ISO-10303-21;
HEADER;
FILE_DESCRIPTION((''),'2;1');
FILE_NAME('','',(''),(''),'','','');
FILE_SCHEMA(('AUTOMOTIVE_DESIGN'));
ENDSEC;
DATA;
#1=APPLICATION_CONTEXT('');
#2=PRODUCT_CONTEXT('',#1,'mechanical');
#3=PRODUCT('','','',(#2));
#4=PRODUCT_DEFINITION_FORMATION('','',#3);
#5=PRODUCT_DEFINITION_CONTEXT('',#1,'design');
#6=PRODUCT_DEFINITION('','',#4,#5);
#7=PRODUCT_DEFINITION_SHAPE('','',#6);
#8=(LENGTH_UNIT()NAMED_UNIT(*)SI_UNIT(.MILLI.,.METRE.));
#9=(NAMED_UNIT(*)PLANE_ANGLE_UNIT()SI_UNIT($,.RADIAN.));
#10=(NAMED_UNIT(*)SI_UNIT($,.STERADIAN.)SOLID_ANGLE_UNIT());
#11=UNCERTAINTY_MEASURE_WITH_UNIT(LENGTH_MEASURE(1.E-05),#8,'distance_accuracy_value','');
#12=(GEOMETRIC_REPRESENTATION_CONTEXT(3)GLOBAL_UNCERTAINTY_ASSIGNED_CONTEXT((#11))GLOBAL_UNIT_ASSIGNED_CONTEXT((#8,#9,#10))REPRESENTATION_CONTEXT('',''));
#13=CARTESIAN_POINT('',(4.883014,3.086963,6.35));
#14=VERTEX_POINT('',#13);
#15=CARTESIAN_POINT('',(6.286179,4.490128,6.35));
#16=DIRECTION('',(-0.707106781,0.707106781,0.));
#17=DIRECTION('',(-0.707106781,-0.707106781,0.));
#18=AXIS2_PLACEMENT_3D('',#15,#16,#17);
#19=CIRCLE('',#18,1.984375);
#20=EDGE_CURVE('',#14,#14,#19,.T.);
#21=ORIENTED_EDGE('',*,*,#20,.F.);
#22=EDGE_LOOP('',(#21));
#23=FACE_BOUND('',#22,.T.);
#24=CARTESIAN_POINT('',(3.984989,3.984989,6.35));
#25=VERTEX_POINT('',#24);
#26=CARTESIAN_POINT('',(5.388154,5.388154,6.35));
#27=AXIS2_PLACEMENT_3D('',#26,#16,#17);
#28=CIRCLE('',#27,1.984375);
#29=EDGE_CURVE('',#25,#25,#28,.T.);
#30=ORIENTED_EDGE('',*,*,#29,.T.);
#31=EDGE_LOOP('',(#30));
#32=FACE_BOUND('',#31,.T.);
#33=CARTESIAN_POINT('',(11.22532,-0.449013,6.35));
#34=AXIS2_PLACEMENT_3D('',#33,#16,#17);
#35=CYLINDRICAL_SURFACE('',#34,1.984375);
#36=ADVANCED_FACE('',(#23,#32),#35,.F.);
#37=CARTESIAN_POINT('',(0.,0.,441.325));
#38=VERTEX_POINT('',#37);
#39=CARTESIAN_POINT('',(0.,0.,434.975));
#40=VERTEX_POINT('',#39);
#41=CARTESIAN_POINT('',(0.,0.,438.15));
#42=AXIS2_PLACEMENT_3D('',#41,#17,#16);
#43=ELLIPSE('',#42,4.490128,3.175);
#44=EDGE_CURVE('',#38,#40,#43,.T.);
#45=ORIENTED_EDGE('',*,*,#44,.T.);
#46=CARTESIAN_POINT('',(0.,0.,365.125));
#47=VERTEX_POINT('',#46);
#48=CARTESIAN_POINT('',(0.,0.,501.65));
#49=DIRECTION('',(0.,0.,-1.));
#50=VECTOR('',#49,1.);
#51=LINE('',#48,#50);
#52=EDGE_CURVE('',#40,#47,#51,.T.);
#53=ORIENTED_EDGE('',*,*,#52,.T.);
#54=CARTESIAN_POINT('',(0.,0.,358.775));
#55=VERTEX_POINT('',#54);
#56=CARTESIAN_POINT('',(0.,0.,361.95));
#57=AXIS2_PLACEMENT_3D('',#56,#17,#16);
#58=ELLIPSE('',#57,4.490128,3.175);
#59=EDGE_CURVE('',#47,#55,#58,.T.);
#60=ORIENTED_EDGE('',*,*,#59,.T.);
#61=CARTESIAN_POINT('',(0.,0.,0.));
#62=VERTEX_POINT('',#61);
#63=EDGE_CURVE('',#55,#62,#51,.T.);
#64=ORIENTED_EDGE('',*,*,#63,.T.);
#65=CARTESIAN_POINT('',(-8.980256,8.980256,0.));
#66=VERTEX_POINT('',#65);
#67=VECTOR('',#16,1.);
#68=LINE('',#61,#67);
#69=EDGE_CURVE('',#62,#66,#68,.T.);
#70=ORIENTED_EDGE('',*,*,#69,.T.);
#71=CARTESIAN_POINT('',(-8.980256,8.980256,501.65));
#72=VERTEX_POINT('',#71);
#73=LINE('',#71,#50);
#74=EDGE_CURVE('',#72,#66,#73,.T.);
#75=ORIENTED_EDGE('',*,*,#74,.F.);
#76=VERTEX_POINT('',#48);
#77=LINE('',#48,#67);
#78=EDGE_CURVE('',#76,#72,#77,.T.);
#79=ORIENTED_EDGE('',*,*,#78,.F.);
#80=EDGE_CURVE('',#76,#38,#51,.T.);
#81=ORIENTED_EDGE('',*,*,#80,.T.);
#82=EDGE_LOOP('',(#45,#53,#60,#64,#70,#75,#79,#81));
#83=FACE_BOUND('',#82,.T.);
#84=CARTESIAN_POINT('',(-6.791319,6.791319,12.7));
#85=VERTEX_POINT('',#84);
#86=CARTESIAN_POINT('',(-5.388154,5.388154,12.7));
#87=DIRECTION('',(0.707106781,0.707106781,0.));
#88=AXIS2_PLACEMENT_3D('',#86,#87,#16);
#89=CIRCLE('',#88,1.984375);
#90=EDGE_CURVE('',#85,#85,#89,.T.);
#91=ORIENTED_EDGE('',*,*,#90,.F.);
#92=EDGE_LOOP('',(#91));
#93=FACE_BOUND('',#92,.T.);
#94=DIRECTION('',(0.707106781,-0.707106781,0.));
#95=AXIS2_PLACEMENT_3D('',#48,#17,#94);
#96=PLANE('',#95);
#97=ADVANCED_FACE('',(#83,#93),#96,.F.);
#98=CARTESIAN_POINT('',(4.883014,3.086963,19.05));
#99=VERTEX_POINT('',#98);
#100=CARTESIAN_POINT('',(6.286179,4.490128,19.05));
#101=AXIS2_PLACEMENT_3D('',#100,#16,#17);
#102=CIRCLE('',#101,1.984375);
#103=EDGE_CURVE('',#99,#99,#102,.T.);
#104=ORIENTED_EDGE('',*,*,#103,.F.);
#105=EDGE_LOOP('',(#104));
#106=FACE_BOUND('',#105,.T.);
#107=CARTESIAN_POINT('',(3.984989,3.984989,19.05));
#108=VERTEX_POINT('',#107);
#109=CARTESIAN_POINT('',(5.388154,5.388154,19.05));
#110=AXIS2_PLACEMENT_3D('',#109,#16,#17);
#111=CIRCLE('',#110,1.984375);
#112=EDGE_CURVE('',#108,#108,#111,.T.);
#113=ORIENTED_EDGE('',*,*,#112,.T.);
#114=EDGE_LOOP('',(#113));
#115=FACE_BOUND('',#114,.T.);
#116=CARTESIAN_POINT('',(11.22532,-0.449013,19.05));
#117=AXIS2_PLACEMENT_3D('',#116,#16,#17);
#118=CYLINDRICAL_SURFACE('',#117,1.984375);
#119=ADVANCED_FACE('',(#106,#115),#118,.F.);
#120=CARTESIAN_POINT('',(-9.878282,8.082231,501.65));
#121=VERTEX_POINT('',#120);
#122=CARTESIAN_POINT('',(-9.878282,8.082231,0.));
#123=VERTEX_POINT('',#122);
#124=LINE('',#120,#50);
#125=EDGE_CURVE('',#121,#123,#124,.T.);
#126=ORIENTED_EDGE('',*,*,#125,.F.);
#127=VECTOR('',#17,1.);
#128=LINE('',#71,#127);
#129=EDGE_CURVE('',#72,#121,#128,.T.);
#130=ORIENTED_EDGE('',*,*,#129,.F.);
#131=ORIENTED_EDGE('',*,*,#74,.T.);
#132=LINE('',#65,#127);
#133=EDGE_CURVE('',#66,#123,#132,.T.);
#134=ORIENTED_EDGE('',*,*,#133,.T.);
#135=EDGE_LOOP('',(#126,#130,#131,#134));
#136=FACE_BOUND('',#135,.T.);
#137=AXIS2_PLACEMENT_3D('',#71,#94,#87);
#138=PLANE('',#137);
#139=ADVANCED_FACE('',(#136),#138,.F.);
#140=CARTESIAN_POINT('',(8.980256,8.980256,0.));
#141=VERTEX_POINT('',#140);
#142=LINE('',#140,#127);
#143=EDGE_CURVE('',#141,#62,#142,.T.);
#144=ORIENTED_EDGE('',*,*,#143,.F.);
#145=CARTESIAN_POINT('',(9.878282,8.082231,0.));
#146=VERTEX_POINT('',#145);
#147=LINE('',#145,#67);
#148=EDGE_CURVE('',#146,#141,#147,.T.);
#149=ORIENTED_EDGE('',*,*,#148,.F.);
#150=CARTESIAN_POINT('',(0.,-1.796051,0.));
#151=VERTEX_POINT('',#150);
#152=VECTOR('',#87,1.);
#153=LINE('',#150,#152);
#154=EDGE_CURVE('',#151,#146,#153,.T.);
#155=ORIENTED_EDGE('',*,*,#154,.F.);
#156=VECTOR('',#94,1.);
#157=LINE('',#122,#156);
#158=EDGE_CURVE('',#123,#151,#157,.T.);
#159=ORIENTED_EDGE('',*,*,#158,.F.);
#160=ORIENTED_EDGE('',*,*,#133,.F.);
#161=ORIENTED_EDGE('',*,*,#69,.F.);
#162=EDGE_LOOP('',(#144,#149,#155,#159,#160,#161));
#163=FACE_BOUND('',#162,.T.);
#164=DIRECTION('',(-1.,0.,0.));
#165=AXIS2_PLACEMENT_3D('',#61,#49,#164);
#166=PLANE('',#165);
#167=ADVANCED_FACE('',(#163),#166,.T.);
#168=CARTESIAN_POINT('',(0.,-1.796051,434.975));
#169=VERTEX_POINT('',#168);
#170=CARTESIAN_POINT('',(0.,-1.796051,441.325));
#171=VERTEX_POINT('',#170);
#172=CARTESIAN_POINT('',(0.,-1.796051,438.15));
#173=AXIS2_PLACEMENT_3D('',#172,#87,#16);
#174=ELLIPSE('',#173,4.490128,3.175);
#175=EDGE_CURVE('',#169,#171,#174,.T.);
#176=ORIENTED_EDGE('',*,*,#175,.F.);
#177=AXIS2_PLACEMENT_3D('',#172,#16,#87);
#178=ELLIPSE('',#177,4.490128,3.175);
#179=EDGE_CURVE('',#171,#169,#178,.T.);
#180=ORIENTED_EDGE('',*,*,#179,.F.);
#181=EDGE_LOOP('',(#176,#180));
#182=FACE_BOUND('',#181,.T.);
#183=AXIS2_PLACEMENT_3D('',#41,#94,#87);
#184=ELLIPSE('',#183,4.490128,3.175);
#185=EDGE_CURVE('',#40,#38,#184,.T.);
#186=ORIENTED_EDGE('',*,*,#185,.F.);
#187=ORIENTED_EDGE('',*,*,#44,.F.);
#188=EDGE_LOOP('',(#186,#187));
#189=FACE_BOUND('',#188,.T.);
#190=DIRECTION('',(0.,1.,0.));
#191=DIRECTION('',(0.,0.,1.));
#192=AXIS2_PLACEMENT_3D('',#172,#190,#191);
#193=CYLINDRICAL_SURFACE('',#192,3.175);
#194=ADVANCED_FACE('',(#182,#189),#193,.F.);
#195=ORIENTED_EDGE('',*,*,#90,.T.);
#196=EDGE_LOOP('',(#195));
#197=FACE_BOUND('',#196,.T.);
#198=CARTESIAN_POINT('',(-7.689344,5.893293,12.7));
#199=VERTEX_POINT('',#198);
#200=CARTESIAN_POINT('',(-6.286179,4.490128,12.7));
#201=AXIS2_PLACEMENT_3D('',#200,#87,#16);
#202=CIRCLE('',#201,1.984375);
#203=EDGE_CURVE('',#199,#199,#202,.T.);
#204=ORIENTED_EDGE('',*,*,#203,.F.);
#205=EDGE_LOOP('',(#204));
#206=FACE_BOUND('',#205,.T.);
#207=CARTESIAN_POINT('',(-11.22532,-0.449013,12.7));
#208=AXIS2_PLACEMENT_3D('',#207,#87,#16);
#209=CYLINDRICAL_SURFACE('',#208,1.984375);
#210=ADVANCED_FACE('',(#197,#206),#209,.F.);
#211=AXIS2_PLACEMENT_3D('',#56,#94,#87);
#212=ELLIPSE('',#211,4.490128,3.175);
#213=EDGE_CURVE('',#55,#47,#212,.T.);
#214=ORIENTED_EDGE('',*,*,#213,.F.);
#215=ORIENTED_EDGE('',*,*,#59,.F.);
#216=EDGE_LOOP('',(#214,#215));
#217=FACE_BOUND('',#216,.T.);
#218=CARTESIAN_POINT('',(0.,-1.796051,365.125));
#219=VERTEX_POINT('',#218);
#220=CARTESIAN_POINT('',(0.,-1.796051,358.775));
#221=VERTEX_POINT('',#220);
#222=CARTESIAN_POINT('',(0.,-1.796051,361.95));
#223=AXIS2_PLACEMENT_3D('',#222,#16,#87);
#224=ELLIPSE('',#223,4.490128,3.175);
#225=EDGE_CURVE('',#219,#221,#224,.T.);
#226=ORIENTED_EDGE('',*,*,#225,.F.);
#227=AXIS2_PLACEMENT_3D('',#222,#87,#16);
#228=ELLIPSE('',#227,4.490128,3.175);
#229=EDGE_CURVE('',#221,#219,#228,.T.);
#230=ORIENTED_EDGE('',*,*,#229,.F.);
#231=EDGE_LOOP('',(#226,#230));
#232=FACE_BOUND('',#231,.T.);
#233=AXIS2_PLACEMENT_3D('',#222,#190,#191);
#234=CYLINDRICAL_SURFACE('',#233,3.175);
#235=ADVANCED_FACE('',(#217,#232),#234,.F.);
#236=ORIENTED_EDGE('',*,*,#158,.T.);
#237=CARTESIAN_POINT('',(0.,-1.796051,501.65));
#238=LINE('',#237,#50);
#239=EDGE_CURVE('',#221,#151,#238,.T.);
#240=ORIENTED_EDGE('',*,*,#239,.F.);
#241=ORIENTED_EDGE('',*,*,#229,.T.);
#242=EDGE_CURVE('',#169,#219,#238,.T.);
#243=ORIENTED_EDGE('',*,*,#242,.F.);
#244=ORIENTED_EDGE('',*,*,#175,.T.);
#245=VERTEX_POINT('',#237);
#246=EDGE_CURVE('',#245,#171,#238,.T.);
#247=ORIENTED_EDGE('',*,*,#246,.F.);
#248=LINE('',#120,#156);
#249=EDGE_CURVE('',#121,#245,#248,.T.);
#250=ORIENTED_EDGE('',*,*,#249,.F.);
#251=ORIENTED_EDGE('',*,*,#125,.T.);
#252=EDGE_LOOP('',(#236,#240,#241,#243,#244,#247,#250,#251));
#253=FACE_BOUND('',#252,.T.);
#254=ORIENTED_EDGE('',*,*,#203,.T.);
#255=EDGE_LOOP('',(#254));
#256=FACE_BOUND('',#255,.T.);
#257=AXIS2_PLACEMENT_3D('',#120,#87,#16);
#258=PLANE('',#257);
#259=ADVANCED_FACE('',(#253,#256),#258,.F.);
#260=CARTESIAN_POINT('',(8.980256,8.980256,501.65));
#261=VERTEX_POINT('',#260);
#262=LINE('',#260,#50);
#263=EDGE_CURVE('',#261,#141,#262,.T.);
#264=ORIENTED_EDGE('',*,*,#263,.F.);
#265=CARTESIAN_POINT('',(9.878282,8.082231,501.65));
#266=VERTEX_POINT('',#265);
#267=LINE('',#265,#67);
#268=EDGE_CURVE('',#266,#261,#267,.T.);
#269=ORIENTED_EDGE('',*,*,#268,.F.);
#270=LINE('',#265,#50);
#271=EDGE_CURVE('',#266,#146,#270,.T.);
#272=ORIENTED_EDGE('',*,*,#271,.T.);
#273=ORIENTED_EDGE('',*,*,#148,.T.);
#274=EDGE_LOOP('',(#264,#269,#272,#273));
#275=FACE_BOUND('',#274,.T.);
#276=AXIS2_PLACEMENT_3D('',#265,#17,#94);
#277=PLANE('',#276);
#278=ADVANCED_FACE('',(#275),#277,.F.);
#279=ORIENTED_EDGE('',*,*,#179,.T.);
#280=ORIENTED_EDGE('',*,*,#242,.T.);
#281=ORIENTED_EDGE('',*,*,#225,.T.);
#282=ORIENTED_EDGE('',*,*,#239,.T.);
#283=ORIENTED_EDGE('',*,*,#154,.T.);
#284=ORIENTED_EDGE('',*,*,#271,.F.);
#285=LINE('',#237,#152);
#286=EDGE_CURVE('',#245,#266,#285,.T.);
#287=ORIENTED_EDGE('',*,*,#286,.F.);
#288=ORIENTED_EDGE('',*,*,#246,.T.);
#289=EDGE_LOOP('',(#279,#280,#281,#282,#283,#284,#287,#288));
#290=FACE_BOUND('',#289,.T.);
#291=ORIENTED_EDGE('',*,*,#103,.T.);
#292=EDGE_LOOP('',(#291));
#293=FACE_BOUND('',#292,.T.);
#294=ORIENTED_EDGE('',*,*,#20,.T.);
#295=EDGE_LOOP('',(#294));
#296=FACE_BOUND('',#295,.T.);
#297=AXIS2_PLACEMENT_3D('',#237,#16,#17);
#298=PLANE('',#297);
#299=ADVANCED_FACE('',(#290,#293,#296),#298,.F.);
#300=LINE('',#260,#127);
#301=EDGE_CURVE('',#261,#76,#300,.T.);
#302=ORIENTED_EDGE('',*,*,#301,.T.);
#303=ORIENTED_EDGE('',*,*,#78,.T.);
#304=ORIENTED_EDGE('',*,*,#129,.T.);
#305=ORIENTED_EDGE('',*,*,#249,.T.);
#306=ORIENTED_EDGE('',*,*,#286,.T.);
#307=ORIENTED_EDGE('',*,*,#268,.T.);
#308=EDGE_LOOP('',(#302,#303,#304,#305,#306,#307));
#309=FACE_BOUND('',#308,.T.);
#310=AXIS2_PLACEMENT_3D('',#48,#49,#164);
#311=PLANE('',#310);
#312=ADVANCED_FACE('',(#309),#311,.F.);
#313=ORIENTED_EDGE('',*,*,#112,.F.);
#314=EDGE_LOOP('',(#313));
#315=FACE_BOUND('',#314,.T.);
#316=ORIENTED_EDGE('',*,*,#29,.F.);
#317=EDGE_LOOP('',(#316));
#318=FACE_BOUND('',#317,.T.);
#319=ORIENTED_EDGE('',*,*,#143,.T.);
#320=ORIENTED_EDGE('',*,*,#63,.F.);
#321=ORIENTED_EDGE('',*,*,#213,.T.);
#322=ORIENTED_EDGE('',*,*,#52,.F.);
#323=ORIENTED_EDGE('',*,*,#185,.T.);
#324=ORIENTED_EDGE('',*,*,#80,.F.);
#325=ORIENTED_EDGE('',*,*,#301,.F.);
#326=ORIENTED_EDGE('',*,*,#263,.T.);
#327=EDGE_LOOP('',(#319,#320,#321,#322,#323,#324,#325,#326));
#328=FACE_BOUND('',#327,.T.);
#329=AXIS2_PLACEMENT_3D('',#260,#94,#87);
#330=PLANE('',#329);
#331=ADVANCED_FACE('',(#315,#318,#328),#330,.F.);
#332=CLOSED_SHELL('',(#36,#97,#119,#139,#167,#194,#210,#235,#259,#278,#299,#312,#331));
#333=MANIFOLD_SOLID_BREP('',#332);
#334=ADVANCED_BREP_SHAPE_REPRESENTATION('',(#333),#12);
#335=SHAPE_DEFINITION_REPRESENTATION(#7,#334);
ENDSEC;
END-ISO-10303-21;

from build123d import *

# Parameters (mm, degrees)
BOSS_EXTRUDE1_DEPTH     = 501.65
SKETCH2_R               = 1.984375
CUT_EXTRUDE1_DEPTH      = 502.8276078
SKETCH3_R               = 1.984375
CUT_EXTRUDE2_DEPTH      = 502.8276078
CUT_EXTRUDE4_DEPTH      = 502.8276078
CUT_EXTRUDE4_DEPTH_BACK = 502.8276078
SKETCH4_R               = 3.175


with BuildPart() as part:
    # Sketch1 → Boss-Extrude1 (new body)
    with BuildSketch(Plane.XY):
        Polygon((0, 0), (-8.980256121, 8.980256121), (-9.878281733, 8.082230509), (0, -1.796051224), (9.878281733, 8.082230509), (8.980256121, 8.980256121), align=None)
    extrude(amount=BOSS_EXTRUDE1_DEPTH)

    # Sketch2 → Cut-Extrude1 (cut, through all)
    with BuildSketch(Plane(origin=(0, 0, 0), x_dir=(0, 0, 1), z_dir=(-0.7071067811865471, 0.7071067811865479, 0))):
        with Locations(Location((6.35, 7.62, 0), (0, 0, 270))):
            Circle(SKETCH2_R)
        with Locations(Location((19.05, 7.62, 0), (0, 0, 270))):
            Circle(SKETCH2_R)
    extrude(amount=-CUT_EXTRUDE1_DEPTH, mode=Mode.SUBTRACT)

    # Sketch3 → Cut-Extrude2 (cut, through all)
    with BuildSketch(Plane(origin=(0, 0, 0), x_dir=(0, 0, -1), z_dir=(0.7071067811865482, 0.7071067811865468, 0))):
        with Locations(Location((-12.7, 7.62, 0), (0, 0, 90))):
            Circle(SKETCH3_R)
    extrude(amount=-CUT_EXTRUDE2_DEPTH, mode=Mode.SUBTRACT)

    # Sketch4 → Cut-Extrude4 (cut, two sides: drawn at the far end of the back side and taken through both)
    with BuildSketch(Plane(origin=(0, 0, 0), x_dir=(1, 0, 0), z_dir=(0, 1, 0)).offset(-CUT_EXTRUDE4_DEPTH_BACK)):
        with Locations(Location((0, -438.15, 0), (0, 0, 270))):
            Circle(SKETCH4_R)
        with Locations(Location((0, -361.95, 0), (0, 0, 270))):
            Circle(SKETCH4_R)
    extrude(amount=CUT_EXTRUDE4_DEPTH + CUT_EXTRUDE4_DEPTH_BACK, mode=Mode.SUBTRACT)


solid = part.part
